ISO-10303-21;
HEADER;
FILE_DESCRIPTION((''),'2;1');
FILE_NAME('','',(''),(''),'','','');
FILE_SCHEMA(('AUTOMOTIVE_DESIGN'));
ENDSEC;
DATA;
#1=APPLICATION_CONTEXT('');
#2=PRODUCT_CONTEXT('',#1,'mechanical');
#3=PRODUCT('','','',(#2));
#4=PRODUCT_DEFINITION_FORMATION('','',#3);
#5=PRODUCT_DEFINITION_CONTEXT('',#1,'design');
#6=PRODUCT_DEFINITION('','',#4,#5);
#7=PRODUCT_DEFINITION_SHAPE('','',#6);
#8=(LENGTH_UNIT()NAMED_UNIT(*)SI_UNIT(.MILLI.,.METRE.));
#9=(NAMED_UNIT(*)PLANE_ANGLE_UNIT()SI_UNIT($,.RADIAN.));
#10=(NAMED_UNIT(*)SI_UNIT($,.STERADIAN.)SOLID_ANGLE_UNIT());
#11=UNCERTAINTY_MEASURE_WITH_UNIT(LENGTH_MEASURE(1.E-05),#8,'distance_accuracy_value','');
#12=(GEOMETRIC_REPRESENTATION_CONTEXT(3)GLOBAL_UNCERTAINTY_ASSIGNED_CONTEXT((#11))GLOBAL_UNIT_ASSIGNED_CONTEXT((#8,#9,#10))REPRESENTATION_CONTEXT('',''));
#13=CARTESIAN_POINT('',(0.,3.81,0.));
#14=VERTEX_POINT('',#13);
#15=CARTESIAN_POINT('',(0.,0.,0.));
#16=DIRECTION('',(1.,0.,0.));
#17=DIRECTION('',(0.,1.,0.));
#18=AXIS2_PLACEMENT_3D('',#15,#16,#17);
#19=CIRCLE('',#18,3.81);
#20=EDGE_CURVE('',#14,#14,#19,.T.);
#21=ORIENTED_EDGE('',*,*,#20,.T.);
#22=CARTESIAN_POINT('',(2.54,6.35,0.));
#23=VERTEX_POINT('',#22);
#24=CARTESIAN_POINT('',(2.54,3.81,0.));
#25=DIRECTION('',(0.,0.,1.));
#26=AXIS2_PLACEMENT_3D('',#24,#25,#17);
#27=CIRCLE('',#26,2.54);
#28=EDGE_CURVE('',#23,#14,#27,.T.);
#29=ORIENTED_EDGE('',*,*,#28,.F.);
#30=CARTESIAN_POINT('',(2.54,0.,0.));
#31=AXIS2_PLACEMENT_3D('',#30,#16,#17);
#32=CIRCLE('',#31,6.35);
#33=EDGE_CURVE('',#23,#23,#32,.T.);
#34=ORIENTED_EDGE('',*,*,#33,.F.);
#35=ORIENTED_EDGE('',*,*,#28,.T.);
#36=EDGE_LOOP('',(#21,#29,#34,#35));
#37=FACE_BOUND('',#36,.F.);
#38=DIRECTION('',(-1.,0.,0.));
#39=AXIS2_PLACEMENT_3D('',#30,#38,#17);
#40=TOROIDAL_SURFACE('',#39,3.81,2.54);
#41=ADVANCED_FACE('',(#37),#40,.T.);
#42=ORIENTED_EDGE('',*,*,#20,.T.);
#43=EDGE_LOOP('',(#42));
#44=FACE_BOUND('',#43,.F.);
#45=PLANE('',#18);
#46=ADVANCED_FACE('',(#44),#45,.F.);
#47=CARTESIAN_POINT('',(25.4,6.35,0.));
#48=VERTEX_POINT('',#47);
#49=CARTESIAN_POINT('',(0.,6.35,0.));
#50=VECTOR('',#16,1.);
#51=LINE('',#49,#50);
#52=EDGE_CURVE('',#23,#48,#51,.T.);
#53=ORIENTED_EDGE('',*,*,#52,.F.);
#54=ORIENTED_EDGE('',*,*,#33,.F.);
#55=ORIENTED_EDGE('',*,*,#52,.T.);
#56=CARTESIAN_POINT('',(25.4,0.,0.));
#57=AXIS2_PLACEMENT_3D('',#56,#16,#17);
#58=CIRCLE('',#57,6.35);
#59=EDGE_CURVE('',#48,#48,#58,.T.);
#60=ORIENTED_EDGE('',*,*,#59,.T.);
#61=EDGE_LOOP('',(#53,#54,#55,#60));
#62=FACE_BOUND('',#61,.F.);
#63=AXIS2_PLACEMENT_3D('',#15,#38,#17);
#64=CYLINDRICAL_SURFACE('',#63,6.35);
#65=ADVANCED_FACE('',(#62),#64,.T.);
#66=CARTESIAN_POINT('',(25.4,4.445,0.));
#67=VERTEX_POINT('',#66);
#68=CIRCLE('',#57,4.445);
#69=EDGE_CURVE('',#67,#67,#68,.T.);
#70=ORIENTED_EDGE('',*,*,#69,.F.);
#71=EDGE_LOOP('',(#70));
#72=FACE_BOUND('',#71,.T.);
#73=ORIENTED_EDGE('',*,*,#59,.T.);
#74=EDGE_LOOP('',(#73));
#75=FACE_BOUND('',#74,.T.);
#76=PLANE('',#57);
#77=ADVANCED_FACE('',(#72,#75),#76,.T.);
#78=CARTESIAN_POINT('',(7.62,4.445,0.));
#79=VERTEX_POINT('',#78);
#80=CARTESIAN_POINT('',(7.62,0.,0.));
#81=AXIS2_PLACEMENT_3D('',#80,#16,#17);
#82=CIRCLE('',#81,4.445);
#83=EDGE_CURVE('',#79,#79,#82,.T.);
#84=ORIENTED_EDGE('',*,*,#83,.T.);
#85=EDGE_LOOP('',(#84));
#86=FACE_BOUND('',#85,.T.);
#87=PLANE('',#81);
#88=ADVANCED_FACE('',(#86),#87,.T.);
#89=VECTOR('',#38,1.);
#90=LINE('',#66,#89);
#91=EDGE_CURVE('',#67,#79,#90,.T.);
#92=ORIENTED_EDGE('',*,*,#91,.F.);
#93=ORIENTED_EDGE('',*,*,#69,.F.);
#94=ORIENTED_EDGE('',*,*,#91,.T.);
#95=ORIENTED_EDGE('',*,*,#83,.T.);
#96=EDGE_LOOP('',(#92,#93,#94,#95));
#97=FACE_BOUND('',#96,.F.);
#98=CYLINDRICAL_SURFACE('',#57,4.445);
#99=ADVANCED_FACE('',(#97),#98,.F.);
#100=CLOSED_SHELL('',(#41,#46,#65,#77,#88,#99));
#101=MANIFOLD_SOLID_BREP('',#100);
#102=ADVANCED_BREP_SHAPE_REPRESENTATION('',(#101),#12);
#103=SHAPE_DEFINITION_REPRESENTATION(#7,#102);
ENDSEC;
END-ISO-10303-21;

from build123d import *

# Parameters (mm, degrees)
F0_R     = 6.35
F1_DEPTH = 25.4
F2_R     = 4.445
F3_DEPTH = 17.78
F4_R     = 2.54


with BuildPart() as f1:
    # F0 (on Right) → F1 (new body)
    with BuildSketch(Plane.YZ):
        Circle(F0_R)
    extrude(amount=F1_DEPTH)

    # F2 (on face) → F3 (cut)
    with BuildSketch(Plane.YZ.offset(25.4)):
        Circle(F2_R)
    extrude(amount=-F3_DEPTH, mode=Mode.SUBTRACT)

    # F4
    f4_edges = [f1.edges().sort_by_distance(p)[0] for p in [
        (0, -6.35, 0),
    ]]
    fillet(f4_edges, radius=F4_R)


solid = f1.part
